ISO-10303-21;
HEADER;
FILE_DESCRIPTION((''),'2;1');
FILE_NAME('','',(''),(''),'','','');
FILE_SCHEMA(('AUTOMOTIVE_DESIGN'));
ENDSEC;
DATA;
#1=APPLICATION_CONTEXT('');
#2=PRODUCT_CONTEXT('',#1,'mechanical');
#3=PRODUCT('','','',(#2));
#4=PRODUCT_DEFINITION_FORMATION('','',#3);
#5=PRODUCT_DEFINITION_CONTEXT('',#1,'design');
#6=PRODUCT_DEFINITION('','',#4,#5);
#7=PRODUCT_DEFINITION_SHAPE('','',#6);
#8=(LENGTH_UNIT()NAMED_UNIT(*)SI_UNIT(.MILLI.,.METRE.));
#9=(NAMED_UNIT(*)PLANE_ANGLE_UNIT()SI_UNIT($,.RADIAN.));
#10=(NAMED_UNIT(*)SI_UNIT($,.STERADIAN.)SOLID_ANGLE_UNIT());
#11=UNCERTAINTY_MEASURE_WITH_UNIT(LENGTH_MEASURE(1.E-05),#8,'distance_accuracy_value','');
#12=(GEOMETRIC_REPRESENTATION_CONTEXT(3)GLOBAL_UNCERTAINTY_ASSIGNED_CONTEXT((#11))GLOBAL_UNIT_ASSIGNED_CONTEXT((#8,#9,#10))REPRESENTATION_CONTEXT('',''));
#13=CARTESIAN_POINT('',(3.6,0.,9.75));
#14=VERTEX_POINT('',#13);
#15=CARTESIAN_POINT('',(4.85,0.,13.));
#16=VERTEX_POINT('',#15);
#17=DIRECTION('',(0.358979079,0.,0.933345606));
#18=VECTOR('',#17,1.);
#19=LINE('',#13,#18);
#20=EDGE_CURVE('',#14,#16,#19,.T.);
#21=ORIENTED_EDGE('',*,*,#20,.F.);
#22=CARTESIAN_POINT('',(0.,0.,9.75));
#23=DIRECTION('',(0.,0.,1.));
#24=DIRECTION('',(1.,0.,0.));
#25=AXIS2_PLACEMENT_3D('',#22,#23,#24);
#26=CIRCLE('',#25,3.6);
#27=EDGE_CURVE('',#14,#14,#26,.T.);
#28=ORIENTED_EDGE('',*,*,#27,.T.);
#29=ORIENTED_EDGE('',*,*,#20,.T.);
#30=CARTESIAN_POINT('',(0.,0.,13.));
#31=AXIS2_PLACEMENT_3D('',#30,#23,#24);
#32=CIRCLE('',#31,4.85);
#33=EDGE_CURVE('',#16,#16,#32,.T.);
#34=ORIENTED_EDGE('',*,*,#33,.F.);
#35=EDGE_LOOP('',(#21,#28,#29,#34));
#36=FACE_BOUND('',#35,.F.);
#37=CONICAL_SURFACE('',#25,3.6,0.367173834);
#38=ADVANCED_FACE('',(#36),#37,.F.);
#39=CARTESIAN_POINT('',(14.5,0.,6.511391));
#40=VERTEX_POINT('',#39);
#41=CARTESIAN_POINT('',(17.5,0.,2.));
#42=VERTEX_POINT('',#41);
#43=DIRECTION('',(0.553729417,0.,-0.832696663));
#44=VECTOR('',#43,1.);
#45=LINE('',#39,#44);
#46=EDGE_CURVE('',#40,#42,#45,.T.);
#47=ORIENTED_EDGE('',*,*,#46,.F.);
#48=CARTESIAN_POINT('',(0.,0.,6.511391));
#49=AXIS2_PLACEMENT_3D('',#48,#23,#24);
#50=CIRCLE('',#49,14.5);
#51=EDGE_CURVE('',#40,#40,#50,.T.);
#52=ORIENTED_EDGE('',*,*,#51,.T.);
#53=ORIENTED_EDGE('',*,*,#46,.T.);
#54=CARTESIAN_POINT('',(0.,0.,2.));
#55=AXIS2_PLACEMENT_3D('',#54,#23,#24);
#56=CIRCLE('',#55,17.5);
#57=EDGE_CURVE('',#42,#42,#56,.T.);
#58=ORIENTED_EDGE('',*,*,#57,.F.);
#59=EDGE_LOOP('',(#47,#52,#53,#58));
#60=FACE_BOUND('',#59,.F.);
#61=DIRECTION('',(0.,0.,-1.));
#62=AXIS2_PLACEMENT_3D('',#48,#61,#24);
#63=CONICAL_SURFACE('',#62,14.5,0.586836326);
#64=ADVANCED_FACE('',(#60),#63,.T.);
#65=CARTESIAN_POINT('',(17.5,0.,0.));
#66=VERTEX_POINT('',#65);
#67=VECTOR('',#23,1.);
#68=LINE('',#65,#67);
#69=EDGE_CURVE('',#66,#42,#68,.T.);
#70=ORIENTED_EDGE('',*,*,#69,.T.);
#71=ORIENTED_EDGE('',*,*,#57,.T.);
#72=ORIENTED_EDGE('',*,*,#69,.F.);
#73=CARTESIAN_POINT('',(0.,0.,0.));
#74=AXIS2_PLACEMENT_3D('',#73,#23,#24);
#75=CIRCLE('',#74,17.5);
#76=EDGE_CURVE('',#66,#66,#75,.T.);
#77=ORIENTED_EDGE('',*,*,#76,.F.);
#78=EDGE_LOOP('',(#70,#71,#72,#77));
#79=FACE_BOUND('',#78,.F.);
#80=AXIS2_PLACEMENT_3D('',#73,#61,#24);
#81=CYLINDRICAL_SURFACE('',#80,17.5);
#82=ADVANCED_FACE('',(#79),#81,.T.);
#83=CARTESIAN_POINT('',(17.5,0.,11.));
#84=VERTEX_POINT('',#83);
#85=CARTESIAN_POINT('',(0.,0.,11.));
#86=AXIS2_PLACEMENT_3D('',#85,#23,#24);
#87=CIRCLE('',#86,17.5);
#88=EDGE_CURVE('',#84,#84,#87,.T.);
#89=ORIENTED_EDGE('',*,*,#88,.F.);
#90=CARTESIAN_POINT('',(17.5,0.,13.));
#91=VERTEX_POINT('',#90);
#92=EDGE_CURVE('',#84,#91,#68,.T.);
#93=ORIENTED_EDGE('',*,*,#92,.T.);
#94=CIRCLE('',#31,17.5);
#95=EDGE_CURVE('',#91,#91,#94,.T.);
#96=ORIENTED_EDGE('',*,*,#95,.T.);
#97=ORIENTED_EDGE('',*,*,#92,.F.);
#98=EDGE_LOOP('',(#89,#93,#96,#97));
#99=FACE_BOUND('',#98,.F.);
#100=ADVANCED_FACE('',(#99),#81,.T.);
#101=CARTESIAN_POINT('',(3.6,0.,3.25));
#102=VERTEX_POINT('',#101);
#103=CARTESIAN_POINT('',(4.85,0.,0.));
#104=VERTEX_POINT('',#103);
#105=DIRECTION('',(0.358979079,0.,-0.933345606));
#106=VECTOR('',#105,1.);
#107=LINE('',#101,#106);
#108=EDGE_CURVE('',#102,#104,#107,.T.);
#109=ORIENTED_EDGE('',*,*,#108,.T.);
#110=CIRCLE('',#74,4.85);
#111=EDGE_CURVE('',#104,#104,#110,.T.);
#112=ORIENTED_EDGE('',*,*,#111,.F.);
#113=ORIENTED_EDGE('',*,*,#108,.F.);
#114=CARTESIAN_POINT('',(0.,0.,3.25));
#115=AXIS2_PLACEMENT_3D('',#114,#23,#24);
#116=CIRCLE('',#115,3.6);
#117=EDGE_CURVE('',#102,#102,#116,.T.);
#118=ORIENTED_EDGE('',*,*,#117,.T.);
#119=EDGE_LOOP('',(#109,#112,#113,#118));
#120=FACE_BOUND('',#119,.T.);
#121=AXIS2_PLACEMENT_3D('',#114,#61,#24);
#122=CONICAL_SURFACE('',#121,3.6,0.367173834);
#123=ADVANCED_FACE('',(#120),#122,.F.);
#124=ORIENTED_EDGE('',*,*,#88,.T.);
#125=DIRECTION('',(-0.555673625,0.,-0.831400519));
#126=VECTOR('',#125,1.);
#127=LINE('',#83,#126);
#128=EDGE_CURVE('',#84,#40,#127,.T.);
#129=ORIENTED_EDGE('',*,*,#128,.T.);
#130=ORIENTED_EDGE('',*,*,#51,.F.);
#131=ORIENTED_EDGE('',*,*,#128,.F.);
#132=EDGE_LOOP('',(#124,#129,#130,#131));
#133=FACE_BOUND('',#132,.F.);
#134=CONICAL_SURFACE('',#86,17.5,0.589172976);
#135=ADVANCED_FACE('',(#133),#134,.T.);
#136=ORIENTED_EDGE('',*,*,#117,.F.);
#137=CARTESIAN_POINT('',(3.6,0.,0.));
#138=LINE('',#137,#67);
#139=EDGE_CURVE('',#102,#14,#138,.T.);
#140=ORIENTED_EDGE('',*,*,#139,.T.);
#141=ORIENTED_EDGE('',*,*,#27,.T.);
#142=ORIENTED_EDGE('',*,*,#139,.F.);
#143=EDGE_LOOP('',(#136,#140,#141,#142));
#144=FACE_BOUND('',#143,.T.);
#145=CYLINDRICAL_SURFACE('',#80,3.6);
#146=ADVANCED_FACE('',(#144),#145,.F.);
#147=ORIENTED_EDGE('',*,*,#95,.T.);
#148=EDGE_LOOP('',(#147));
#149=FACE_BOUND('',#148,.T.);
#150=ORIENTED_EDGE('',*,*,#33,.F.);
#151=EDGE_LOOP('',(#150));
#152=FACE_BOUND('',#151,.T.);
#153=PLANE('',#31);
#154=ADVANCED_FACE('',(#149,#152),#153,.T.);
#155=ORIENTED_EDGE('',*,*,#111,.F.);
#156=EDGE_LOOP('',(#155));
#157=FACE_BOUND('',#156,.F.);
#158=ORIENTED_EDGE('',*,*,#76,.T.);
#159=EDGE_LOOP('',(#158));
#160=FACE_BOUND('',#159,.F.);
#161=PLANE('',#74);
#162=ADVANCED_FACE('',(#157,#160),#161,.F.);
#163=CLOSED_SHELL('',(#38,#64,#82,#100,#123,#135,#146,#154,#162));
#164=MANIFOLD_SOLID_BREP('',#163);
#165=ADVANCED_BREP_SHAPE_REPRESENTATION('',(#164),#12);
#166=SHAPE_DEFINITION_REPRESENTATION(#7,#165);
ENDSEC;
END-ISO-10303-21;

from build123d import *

# Parameters (mm, degrees)
F0_R     = 17.5
F0_R_2   = 3.6
F1_DEPTH = 13
F4_SIZE2 = 1.25
F4_SIZE  = 3.25


with BuildPart() as f1:
    # F0 (on Top) → F1 (new body)
    with BuildSketch(Plane.XY):
        Circle(F0_R)
        Circle(F0_R_2, mode=Mode.SUBTRACT)
    extrude(amount=F1_DEPTH)

    # F2 (on Front) → F3 (revolve, cut)
    with BuildSketch(Plane.XZ):
        Polygon((17.5, 2), (17.5, 11), (14.5, 6.5113911405), align=None)
    revolve(axis=Axis((0, 0, 0), (0, 0, 1)), mode=Mode.SUBTRACT)

    # F4
    f4_edges = [f1.edges().sort_by_distance(p)[0] for p in [
        (-3.6, 0, 13),
        (-3.6, 0, 0),
    ]]
    f4_side = f1.faces().sort_by_distance((-3.6, 0, 6.5))[0]
    chamfer(f4_edges, length=F4_SIZE, length2=F4_SIZE2, reference=f4_side)


solid = f1.part
